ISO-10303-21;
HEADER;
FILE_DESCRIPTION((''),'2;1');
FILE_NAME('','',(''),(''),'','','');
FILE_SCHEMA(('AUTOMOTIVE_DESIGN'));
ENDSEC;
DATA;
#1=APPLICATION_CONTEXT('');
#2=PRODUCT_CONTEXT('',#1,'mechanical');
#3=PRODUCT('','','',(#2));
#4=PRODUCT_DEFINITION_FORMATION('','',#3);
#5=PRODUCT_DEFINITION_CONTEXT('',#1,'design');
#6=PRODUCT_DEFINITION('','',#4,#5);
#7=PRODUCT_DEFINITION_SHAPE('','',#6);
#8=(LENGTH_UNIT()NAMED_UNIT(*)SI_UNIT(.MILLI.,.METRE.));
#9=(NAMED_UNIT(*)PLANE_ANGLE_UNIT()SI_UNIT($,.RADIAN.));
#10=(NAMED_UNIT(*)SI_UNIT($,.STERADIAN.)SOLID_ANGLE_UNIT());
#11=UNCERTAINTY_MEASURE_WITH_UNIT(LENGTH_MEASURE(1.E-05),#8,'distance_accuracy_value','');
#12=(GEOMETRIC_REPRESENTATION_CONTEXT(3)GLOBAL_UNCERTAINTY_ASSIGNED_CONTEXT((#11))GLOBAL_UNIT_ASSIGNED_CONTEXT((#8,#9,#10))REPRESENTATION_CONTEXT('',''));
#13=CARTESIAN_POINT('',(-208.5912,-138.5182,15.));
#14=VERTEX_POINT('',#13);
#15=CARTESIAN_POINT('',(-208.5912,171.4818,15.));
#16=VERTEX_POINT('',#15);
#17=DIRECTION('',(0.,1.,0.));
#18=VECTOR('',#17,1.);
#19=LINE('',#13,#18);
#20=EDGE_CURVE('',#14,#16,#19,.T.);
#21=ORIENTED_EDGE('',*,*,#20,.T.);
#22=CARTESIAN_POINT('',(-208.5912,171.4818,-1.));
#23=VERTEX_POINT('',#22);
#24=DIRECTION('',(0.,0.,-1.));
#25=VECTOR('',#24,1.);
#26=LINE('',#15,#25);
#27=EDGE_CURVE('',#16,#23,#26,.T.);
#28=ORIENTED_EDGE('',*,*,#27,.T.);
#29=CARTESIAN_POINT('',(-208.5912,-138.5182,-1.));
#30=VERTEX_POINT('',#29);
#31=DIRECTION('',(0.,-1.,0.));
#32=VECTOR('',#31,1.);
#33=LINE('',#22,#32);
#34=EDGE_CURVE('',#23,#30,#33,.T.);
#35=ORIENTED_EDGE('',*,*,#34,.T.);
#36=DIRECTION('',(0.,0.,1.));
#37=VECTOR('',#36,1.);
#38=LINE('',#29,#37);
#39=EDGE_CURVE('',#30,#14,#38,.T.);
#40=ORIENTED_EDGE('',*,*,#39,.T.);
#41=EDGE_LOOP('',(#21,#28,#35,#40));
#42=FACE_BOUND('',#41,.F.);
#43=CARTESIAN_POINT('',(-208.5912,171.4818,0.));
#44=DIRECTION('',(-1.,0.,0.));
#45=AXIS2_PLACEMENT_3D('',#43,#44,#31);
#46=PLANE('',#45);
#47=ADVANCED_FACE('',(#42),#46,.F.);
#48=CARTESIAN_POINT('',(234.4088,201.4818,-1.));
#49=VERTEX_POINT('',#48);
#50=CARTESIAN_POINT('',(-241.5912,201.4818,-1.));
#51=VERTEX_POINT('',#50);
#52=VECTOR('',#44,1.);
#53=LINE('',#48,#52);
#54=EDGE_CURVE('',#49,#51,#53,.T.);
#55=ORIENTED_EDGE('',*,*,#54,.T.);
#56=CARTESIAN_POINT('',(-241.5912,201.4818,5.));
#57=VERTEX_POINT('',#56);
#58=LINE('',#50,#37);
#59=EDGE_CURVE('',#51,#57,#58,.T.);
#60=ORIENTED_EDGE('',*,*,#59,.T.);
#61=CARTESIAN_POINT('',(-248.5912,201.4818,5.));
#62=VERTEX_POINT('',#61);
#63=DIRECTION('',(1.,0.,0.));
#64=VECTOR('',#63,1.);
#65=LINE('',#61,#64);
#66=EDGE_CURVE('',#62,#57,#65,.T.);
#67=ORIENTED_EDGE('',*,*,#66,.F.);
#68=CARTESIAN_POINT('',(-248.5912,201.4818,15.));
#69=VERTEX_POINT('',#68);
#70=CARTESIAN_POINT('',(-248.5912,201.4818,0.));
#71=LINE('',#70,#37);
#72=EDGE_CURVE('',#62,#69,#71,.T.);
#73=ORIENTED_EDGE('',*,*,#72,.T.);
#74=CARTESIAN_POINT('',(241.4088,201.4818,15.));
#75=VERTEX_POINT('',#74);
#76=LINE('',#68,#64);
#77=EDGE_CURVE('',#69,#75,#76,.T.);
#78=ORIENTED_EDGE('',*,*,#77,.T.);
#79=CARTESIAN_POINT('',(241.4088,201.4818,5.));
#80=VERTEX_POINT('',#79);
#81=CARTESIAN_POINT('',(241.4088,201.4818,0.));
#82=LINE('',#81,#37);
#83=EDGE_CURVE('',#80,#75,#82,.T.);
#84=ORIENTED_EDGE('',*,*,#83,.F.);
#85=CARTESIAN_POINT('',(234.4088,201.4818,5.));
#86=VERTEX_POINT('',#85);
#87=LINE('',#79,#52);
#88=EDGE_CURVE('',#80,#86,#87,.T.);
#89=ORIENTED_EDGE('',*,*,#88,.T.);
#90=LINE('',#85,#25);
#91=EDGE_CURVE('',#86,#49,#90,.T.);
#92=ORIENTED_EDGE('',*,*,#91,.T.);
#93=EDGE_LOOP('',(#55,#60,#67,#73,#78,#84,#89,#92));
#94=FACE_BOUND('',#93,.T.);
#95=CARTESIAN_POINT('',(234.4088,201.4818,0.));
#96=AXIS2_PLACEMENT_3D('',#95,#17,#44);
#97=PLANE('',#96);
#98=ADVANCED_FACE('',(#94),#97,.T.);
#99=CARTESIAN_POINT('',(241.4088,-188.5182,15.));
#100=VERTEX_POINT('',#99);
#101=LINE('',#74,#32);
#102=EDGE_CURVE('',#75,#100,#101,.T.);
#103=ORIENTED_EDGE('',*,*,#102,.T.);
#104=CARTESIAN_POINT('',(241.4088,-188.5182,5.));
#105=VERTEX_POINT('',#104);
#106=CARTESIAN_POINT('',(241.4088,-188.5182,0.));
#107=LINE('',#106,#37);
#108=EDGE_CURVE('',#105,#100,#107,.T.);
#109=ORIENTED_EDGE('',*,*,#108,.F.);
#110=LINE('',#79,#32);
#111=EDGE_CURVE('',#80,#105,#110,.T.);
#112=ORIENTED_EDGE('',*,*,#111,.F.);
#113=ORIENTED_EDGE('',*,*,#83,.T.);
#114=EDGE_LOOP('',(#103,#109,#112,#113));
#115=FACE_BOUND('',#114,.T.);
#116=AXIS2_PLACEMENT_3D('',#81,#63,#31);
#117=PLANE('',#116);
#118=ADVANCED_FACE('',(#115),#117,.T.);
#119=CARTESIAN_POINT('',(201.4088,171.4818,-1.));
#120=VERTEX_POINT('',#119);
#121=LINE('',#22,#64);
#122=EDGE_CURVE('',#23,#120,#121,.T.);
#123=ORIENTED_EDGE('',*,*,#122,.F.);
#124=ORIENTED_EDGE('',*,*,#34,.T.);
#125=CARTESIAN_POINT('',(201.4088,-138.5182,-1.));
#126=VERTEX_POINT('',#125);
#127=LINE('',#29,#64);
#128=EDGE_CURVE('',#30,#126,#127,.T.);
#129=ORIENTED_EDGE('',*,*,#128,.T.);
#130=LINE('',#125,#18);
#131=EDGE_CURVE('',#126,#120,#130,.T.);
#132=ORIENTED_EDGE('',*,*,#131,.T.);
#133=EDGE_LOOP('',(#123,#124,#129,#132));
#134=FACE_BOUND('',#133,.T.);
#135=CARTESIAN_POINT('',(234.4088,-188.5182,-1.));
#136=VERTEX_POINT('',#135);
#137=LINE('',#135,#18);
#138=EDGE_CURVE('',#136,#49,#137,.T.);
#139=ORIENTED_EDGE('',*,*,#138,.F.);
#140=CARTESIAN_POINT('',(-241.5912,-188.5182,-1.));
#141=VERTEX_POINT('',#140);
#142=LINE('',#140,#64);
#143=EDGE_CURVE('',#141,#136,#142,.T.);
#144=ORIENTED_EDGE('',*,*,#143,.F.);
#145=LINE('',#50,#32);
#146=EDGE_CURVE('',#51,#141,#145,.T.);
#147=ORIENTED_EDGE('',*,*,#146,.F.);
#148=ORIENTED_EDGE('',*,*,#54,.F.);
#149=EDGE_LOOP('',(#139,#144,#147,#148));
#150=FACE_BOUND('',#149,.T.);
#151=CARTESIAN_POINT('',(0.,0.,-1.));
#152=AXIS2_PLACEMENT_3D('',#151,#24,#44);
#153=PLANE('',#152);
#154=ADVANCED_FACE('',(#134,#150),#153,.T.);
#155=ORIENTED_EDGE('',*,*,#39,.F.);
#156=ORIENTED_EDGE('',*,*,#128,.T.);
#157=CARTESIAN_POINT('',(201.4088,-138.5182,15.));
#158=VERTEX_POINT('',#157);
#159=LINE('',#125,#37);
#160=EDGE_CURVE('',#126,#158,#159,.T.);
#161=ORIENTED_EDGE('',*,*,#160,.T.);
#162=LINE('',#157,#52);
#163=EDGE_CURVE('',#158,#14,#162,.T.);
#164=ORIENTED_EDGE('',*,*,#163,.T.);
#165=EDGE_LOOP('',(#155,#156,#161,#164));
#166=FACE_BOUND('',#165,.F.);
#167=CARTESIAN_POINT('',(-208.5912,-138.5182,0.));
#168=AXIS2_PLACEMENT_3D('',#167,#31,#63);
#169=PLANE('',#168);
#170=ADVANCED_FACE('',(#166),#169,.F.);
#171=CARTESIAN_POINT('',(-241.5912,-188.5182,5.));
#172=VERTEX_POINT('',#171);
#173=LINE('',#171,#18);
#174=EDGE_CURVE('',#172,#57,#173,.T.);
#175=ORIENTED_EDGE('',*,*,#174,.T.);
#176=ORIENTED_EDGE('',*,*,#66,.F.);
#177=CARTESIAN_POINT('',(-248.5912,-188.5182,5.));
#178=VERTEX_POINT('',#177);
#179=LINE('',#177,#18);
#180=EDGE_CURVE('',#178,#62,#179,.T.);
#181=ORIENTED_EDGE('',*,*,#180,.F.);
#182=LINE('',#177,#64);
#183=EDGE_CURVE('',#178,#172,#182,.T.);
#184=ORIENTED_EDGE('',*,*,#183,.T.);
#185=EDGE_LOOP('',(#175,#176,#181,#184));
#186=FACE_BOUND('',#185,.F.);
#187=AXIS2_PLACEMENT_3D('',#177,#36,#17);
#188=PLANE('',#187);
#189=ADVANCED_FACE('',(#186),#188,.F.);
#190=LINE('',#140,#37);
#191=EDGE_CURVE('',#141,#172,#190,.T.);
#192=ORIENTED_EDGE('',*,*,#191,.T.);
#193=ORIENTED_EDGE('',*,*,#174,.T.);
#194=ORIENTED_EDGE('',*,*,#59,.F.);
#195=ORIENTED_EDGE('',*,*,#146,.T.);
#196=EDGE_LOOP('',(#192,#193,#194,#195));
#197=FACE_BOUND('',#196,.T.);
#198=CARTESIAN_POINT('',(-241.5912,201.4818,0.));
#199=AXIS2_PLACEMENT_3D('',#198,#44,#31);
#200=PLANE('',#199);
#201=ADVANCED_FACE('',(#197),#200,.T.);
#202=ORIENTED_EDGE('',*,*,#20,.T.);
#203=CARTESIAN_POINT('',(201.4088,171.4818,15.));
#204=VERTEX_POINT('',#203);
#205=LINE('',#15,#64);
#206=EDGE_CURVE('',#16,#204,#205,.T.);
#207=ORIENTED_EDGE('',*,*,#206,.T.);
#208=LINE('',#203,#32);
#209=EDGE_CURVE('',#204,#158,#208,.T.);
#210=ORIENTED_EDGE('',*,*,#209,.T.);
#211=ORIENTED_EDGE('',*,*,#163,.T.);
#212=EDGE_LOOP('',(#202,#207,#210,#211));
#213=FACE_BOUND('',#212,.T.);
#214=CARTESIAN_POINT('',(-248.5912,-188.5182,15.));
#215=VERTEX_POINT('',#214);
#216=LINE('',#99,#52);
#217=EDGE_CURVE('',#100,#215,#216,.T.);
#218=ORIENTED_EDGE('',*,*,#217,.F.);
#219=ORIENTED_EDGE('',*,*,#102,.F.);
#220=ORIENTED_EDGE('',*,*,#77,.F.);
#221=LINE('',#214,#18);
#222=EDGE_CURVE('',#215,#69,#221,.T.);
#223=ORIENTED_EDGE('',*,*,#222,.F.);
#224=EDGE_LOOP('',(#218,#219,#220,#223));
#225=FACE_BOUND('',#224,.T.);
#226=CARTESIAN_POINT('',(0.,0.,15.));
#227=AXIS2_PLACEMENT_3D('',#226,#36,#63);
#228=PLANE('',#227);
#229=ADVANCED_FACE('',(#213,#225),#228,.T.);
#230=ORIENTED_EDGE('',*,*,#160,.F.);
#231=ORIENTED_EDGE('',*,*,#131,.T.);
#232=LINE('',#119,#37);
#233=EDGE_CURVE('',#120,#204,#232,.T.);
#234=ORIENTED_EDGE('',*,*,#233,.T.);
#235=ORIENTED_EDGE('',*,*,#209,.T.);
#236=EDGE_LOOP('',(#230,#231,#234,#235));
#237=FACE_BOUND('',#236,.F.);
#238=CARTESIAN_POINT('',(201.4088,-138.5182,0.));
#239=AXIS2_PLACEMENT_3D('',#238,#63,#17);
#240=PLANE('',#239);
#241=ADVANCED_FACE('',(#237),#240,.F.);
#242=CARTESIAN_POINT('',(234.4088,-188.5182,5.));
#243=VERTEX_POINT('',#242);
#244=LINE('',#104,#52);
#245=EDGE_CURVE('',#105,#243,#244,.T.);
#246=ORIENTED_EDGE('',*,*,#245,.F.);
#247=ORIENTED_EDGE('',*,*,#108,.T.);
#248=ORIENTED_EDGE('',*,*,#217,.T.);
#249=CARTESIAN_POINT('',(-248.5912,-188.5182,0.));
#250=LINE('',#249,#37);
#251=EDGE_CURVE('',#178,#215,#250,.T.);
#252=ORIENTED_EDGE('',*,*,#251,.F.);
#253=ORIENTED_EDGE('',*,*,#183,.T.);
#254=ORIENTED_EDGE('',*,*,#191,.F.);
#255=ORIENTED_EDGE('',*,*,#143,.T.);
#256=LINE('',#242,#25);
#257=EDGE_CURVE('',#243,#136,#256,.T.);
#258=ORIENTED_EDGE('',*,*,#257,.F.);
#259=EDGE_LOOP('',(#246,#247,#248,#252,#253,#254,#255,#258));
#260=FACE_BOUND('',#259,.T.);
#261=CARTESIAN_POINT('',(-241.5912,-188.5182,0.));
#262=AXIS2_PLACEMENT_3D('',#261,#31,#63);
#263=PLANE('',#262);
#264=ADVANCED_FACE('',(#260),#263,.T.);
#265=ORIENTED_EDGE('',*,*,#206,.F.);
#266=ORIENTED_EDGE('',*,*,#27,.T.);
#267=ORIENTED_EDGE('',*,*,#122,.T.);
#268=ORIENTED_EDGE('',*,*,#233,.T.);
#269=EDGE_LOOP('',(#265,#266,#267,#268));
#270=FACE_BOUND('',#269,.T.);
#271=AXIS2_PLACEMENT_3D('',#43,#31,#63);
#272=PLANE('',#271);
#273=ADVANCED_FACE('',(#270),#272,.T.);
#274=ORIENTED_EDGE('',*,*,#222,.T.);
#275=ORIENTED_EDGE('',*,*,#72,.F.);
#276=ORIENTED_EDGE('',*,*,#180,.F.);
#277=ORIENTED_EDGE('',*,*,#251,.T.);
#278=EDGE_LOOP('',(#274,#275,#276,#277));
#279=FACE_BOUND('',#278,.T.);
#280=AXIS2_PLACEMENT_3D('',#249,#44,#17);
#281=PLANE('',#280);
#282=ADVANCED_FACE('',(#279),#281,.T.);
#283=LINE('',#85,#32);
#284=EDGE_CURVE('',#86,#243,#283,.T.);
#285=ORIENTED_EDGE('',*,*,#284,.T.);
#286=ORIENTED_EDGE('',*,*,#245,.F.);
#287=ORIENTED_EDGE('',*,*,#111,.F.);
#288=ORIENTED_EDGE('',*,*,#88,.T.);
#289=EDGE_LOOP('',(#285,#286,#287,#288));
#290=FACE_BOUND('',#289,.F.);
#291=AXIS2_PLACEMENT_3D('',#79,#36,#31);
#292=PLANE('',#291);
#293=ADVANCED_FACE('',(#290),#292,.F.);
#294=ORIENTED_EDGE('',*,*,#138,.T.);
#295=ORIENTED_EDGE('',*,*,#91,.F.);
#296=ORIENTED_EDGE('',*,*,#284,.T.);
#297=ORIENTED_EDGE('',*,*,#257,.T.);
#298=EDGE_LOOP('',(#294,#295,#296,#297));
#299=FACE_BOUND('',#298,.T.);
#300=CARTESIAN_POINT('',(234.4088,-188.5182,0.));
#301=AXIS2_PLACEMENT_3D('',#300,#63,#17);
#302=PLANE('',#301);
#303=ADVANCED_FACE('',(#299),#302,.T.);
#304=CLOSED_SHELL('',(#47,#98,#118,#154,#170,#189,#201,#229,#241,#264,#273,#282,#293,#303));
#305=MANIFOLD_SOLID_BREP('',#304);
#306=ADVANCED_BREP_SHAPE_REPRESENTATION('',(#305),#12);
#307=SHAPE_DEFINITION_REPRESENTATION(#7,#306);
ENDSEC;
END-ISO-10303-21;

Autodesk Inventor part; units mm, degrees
ref_plane "YZ Plane" through (0, 0, 0) normal (1, 0, 0) x (0, 1, 0)
ref_plane "XZ Plane" through (0, 0, 0) normal (0, 1, 0) x (-1, 0, 0)
ref_plane "XY Plane" through (0, 0, 0) normal (0, 0, 1) x (1, 0, 0)
sketch "Sketch1" plane through (0, 0, 0) normal (0, 0, 1) x (1, 0, 0)
  line L0 (-208.5912, 171.4818) -> (201.4088, 171.4818)
  line L1 (201.4088, 171.4818) -> (201.4088, -138.5182)
  line L2 (201.4088, -138.5182) -> (-208.5912, -138.5182)
  line L3 (-208.5912, -138.5182) -> (-208.5912, 171.4818)
  line L4 (-248.5912, 201.4818) -> (241.4088, 201.4818)
  line L5 (241.4088, 201.4818) -> (241.4088, -188.5182)
  line L6 (241.4088, -188.5182) -> (-248.5912, -188.5182)
  line L7 (-248.5912, -188.5182) -> (-248.5912, 201.4818)
  point P0 (0, 0)
  dimension "d0" = 410
  dimension "d1" = 310
  dimension "d2" = 490
  dimension "d3" = 40
  dimension "d4" = 390
  dimension "d5" = 50
extrude "Extrusion1" add sketch "Sketch1" along normal blind 15
sketch "Sketch2" plane through (241.4088, -188.5182, 0) normal (1, 0, 0) x (0, 0, -1)
  line L0 (0, 390) -> (-15, 390) projected
  line L1 (0, 390) -> (-5, 390)
  line L2 (-5, 390) -> (-5, 0)
  line L3 (-5, 0) -> (0, 0)
  line L4 (0, 0) -> (0, 390)
  point P0 (0, 188.5182)
  dimension "d8" = 5
  dimension "d9" = 390
extrude "Extrusion2" cut sketch "Sketch2" against normal blind 7
sketch "Sketch3" plane through (-248.5912, -188.5182, 0) normal (-1, 0, 0) x (0, 0, 1)
  line L0 (0, 390) -> (0, 0) projected
  line L1 (5, 0) -> (5, 390) projected
  line L2 (0, 390) -> (5, 390)
  line L3 (5, 390) -> (5, 0)
  line L4 (5, 0) -> (0, 0)
  line L5 (0, 0) -> (0, 390)
  point P0 (0, 188.5182)
  point P1 (0, 0)
  dimension "d12" = 5
  dimension "d13" = 390
extrude "Extrusion3" cut sketch "Sketch3" against normal blind 7
sketch "Sketch4" plane through (0, 0, 0) normal (0, 0, -1) x (-1, 0, 0)
  line L0 (-234.4088, 201.4818) -> (241.5912, 201.4818) projected
  line L1 (-234.4088, 201.4818) -> (241.5912, 201.4818)
  line L2 (241.5912, 201.4818) -> (241.5912, -188.5182)
  line L3 (241.5912, -188.5182) -> (-234.4088, -188.5182)
  line L4 (-234.4088, -188.5182) -> (-234.4088, 201.4818)
  line L5 (208.5912, 171.4818) -> (-201.4088, 171.4818) projected
  line L6 (-201.4088, 171.4818) -> (208.5912, 171.4818)
  line L7 (208.5912, 171.4818) -> (208.5912, -138.5182)
  line L8 (208.5912, -138.5182) -> (-201.4088, -138.5182)
  line L9 (-201.4088, -138.5182) -> (-201.4088, 171.4818)
  point P0 (0, 0)
extrude "Extrusion4" add sketch "Sketch4" along normal blind 1
properties part number "Arcade_Front"
